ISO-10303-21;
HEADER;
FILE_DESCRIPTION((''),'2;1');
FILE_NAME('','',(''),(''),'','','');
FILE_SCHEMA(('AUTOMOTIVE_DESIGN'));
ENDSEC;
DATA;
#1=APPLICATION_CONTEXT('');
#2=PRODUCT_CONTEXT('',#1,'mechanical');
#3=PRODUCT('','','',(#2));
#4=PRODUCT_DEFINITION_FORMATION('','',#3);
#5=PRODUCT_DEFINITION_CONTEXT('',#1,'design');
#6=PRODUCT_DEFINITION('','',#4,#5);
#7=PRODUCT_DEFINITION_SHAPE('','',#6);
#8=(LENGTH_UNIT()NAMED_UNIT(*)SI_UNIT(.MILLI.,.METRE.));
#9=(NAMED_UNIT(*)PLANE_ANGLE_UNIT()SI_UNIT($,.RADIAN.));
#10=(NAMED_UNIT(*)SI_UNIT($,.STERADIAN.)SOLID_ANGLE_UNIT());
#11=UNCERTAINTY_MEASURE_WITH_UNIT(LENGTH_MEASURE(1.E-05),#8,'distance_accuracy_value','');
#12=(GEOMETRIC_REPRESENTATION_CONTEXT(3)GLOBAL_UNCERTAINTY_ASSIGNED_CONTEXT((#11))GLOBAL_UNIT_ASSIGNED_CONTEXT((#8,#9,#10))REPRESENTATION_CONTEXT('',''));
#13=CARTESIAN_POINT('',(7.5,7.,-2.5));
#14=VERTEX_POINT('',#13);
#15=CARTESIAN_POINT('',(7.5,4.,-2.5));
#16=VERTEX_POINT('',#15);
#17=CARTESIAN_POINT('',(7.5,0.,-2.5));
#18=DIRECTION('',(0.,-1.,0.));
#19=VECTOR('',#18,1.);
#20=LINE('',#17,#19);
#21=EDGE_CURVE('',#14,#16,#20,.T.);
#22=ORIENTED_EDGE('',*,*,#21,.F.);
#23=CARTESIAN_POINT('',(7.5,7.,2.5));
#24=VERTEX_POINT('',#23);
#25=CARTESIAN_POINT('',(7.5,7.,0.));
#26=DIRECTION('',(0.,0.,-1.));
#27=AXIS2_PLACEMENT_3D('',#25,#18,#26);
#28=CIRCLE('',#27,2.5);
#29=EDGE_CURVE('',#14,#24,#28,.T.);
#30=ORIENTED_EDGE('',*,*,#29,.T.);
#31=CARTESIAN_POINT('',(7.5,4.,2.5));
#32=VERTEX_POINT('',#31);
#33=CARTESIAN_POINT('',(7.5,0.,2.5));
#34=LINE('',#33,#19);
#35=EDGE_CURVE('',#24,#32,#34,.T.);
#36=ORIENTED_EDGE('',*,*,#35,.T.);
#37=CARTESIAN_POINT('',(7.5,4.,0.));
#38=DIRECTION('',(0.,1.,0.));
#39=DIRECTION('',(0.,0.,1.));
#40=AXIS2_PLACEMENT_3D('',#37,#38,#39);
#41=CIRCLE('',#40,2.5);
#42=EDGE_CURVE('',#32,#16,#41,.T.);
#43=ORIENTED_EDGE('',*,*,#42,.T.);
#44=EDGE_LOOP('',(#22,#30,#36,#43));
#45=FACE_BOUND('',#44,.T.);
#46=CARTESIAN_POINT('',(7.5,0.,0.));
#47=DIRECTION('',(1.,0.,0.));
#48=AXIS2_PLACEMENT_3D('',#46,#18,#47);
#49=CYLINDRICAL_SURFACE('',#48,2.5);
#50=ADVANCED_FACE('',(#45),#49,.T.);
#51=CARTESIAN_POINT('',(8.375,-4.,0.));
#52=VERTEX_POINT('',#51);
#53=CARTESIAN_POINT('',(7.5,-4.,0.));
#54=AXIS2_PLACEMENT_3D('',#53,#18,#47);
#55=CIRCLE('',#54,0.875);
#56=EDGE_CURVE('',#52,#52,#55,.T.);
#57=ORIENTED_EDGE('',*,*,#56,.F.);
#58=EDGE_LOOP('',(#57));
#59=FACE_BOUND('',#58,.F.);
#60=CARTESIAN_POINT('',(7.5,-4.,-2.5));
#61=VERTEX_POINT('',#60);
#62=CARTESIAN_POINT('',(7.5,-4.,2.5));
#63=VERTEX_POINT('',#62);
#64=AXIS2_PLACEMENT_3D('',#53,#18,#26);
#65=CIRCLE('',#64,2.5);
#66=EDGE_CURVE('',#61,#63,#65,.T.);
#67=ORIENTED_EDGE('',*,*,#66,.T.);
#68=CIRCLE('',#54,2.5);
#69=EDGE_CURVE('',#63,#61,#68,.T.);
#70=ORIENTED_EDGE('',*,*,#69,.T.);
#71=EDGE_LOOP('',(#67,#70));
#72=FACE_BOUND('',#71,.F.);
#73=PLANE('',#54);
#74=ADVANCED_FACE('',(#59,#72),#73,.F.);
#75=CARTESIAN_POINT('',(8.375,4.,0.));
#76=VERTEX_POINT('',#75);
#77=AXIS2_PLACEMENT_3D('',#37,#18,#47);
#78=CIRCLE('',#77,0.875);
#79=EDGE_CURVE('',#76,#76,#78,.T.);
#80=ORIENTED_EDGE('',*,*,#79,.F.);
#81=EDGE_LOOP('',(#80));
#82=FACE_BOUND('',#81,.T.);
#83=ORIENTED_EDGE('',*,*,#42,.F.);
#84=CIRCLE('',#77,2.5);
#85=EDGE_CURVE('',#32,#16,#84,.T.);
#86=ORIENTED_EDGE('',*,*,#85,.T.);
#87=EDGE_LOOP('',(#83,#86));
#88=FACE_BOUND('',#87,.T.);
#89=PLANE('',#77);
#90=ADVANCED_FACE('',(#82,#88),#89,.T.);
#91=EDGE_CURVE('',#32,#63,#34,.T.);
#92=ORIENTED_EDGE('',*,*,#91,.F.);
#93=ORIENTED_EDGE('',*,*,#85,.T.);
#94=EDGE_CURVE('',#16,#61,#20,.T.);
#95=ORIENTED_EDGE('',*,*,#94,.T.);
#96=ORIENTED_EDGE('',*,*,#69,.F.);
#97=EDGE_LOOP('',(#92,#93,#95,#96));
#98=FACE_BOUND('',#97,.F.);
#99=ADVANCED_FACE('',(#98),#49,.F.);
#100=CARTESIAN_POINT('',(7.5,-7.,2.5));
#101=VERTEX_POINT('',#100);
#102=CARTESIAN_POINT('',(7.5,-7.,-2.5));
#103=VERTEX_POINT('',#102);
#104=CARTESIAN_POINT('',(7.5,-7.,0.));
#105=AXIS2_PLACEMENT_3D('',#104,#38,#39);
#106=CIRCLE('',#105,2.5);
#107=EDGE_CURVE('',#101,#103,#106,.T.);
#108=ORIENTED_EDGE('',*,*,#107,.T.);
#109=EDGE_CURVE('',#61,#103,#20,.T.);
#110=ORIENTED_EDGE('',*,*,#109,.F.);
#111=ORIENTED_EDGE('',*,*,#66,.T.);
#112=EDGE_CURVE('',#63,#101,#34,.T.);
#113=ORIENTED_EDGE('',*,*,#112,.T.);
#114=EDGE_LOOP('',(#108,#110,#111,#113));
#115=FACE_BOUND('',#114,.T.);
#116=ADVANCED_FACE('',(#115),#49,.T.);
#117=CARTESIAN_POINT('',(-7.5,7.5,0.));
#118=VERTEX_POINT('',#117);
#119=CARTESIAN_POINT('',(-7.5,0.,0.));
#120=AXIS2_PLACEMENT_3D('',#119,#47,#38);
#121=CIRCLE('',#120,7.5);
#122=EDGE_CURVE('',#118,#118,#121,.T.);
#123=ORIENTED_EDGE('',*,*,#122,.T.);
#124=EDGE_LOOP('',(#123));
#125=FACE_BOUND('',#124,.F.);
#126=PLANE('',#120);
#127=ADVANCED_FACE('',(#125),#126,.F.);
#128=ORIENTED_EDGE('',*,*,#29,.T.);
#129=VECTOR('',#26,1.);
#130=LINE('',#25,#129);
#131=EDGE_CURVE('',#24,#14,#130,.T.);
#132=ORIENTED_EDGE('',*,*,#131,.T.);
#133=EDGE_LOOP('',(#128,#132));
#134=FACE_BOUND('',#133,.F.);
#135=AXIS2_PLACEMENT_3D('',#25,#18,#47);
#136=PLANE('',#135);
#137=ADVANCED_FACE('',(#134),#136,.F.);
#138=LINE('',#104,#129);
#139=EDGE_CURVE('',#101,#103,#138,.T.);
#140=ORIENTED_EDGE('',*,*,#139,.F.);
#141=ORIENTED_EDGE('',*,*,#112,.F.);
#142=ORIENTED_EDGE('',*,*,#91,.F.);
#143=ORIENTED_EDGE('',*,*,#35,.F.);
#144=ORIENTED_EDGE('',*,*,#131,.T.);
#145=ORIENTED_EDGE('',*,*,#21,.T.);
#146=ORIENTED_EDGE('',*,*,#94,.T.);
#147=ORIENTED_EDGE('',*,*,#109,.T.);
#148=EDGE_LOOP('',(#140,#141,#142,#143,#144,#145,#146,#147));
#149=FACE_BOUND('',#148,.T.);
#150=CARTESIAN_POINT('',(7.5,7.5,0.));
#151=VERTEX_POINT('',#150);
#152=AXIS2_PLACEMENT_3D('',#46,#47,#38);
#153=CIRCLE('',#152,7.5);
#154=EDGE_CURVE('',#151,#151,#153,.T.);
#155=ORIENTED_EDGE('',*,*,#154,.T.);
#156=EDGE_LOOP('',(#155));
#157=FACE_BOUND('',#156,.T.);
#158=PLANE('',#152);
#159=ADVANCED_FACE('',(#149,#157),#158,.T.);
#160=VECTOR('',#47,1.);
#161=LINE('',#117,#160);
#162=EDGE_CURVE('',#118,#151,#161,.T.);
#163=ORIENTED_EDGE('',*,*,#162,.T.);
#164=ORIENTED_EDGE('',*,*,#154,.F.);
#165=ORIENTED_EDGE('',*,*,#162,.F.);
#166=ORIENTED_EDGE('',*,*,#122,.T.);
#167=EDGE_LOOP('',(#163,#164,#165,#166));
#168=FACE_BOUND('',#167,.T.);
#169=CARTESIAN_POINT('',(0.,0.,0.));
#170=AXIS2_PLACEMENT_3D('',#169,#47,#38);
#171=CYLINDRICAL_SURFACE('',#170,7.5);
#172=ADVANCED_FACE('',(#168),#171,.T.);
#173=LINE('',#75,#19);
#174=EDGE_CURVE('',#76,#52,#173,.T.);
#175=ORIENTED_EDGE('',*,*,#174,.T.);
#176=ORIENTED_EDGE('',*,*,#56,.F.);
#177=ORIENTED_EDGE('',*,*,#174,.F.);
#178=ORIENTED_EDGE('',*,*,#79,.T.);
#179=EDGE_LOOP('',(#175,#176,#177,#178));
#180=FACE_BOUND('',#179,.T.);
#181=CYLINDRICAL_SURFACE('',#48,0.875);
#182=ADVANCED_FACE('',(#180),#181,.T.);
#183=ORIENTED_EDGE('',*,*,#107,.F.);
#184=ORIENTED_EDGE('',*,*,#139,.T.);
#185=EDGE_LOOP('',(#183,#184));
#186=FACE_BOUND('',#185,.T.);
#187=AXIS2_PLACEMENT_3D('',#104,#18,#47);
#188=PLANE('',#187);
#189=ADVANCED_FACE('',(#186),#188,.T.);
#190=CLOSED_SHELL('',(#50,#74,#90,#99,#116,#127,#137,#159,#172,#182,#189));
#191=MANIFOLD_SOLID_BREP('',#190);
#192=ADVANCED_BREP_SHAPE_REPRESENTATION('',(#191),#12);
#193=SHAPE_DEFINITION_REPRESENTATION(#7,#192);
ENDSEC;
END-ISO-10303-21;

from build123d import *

# Parameters (mm, degrees)
F0_R     = 7.5
F1_DEPTH = 7.5
F2_R     = 2.5
F3_DEPTH = 7
F4_R     = 2.5
F5_DEPTH = 4
F6_R     = 0.875
F7_DEPTH = 4


with BuildPart() as f1:
    # F0 (on Right) → F1 (new body, symmetric)
    with BuildSketch(Plane.YZ):
        Circle(F0_R)
    extrude(amount=F1_DEPTH, both=True)

    # F2 (on Front) → F3 (join, symmetric)
    with BuildSketch(Plane.XZ):
        with Locations((7.5, 0)):
            Circle(F2_R)
    extrude(amount=F3_DEPTH, both=True)

    # F4 (on Front) → F5 (cut, symmetric)
    with BuildSketch(Plane.XZ):
        with Locations((7.5, 0)):
            Circle(F4_R)
    extrude(amount=F5_DEPTH, both=True, mode=Mode.SUBTRACT)

    # F6 (on Front) → F7 (join, symmetric)
    with BuildSketch(Plane.XZ):
        with Locations((7.5, 0)):
            Circle(F6_R)
    extrude(amount=F7_DEPTH, both=True)


solid = f1.part
